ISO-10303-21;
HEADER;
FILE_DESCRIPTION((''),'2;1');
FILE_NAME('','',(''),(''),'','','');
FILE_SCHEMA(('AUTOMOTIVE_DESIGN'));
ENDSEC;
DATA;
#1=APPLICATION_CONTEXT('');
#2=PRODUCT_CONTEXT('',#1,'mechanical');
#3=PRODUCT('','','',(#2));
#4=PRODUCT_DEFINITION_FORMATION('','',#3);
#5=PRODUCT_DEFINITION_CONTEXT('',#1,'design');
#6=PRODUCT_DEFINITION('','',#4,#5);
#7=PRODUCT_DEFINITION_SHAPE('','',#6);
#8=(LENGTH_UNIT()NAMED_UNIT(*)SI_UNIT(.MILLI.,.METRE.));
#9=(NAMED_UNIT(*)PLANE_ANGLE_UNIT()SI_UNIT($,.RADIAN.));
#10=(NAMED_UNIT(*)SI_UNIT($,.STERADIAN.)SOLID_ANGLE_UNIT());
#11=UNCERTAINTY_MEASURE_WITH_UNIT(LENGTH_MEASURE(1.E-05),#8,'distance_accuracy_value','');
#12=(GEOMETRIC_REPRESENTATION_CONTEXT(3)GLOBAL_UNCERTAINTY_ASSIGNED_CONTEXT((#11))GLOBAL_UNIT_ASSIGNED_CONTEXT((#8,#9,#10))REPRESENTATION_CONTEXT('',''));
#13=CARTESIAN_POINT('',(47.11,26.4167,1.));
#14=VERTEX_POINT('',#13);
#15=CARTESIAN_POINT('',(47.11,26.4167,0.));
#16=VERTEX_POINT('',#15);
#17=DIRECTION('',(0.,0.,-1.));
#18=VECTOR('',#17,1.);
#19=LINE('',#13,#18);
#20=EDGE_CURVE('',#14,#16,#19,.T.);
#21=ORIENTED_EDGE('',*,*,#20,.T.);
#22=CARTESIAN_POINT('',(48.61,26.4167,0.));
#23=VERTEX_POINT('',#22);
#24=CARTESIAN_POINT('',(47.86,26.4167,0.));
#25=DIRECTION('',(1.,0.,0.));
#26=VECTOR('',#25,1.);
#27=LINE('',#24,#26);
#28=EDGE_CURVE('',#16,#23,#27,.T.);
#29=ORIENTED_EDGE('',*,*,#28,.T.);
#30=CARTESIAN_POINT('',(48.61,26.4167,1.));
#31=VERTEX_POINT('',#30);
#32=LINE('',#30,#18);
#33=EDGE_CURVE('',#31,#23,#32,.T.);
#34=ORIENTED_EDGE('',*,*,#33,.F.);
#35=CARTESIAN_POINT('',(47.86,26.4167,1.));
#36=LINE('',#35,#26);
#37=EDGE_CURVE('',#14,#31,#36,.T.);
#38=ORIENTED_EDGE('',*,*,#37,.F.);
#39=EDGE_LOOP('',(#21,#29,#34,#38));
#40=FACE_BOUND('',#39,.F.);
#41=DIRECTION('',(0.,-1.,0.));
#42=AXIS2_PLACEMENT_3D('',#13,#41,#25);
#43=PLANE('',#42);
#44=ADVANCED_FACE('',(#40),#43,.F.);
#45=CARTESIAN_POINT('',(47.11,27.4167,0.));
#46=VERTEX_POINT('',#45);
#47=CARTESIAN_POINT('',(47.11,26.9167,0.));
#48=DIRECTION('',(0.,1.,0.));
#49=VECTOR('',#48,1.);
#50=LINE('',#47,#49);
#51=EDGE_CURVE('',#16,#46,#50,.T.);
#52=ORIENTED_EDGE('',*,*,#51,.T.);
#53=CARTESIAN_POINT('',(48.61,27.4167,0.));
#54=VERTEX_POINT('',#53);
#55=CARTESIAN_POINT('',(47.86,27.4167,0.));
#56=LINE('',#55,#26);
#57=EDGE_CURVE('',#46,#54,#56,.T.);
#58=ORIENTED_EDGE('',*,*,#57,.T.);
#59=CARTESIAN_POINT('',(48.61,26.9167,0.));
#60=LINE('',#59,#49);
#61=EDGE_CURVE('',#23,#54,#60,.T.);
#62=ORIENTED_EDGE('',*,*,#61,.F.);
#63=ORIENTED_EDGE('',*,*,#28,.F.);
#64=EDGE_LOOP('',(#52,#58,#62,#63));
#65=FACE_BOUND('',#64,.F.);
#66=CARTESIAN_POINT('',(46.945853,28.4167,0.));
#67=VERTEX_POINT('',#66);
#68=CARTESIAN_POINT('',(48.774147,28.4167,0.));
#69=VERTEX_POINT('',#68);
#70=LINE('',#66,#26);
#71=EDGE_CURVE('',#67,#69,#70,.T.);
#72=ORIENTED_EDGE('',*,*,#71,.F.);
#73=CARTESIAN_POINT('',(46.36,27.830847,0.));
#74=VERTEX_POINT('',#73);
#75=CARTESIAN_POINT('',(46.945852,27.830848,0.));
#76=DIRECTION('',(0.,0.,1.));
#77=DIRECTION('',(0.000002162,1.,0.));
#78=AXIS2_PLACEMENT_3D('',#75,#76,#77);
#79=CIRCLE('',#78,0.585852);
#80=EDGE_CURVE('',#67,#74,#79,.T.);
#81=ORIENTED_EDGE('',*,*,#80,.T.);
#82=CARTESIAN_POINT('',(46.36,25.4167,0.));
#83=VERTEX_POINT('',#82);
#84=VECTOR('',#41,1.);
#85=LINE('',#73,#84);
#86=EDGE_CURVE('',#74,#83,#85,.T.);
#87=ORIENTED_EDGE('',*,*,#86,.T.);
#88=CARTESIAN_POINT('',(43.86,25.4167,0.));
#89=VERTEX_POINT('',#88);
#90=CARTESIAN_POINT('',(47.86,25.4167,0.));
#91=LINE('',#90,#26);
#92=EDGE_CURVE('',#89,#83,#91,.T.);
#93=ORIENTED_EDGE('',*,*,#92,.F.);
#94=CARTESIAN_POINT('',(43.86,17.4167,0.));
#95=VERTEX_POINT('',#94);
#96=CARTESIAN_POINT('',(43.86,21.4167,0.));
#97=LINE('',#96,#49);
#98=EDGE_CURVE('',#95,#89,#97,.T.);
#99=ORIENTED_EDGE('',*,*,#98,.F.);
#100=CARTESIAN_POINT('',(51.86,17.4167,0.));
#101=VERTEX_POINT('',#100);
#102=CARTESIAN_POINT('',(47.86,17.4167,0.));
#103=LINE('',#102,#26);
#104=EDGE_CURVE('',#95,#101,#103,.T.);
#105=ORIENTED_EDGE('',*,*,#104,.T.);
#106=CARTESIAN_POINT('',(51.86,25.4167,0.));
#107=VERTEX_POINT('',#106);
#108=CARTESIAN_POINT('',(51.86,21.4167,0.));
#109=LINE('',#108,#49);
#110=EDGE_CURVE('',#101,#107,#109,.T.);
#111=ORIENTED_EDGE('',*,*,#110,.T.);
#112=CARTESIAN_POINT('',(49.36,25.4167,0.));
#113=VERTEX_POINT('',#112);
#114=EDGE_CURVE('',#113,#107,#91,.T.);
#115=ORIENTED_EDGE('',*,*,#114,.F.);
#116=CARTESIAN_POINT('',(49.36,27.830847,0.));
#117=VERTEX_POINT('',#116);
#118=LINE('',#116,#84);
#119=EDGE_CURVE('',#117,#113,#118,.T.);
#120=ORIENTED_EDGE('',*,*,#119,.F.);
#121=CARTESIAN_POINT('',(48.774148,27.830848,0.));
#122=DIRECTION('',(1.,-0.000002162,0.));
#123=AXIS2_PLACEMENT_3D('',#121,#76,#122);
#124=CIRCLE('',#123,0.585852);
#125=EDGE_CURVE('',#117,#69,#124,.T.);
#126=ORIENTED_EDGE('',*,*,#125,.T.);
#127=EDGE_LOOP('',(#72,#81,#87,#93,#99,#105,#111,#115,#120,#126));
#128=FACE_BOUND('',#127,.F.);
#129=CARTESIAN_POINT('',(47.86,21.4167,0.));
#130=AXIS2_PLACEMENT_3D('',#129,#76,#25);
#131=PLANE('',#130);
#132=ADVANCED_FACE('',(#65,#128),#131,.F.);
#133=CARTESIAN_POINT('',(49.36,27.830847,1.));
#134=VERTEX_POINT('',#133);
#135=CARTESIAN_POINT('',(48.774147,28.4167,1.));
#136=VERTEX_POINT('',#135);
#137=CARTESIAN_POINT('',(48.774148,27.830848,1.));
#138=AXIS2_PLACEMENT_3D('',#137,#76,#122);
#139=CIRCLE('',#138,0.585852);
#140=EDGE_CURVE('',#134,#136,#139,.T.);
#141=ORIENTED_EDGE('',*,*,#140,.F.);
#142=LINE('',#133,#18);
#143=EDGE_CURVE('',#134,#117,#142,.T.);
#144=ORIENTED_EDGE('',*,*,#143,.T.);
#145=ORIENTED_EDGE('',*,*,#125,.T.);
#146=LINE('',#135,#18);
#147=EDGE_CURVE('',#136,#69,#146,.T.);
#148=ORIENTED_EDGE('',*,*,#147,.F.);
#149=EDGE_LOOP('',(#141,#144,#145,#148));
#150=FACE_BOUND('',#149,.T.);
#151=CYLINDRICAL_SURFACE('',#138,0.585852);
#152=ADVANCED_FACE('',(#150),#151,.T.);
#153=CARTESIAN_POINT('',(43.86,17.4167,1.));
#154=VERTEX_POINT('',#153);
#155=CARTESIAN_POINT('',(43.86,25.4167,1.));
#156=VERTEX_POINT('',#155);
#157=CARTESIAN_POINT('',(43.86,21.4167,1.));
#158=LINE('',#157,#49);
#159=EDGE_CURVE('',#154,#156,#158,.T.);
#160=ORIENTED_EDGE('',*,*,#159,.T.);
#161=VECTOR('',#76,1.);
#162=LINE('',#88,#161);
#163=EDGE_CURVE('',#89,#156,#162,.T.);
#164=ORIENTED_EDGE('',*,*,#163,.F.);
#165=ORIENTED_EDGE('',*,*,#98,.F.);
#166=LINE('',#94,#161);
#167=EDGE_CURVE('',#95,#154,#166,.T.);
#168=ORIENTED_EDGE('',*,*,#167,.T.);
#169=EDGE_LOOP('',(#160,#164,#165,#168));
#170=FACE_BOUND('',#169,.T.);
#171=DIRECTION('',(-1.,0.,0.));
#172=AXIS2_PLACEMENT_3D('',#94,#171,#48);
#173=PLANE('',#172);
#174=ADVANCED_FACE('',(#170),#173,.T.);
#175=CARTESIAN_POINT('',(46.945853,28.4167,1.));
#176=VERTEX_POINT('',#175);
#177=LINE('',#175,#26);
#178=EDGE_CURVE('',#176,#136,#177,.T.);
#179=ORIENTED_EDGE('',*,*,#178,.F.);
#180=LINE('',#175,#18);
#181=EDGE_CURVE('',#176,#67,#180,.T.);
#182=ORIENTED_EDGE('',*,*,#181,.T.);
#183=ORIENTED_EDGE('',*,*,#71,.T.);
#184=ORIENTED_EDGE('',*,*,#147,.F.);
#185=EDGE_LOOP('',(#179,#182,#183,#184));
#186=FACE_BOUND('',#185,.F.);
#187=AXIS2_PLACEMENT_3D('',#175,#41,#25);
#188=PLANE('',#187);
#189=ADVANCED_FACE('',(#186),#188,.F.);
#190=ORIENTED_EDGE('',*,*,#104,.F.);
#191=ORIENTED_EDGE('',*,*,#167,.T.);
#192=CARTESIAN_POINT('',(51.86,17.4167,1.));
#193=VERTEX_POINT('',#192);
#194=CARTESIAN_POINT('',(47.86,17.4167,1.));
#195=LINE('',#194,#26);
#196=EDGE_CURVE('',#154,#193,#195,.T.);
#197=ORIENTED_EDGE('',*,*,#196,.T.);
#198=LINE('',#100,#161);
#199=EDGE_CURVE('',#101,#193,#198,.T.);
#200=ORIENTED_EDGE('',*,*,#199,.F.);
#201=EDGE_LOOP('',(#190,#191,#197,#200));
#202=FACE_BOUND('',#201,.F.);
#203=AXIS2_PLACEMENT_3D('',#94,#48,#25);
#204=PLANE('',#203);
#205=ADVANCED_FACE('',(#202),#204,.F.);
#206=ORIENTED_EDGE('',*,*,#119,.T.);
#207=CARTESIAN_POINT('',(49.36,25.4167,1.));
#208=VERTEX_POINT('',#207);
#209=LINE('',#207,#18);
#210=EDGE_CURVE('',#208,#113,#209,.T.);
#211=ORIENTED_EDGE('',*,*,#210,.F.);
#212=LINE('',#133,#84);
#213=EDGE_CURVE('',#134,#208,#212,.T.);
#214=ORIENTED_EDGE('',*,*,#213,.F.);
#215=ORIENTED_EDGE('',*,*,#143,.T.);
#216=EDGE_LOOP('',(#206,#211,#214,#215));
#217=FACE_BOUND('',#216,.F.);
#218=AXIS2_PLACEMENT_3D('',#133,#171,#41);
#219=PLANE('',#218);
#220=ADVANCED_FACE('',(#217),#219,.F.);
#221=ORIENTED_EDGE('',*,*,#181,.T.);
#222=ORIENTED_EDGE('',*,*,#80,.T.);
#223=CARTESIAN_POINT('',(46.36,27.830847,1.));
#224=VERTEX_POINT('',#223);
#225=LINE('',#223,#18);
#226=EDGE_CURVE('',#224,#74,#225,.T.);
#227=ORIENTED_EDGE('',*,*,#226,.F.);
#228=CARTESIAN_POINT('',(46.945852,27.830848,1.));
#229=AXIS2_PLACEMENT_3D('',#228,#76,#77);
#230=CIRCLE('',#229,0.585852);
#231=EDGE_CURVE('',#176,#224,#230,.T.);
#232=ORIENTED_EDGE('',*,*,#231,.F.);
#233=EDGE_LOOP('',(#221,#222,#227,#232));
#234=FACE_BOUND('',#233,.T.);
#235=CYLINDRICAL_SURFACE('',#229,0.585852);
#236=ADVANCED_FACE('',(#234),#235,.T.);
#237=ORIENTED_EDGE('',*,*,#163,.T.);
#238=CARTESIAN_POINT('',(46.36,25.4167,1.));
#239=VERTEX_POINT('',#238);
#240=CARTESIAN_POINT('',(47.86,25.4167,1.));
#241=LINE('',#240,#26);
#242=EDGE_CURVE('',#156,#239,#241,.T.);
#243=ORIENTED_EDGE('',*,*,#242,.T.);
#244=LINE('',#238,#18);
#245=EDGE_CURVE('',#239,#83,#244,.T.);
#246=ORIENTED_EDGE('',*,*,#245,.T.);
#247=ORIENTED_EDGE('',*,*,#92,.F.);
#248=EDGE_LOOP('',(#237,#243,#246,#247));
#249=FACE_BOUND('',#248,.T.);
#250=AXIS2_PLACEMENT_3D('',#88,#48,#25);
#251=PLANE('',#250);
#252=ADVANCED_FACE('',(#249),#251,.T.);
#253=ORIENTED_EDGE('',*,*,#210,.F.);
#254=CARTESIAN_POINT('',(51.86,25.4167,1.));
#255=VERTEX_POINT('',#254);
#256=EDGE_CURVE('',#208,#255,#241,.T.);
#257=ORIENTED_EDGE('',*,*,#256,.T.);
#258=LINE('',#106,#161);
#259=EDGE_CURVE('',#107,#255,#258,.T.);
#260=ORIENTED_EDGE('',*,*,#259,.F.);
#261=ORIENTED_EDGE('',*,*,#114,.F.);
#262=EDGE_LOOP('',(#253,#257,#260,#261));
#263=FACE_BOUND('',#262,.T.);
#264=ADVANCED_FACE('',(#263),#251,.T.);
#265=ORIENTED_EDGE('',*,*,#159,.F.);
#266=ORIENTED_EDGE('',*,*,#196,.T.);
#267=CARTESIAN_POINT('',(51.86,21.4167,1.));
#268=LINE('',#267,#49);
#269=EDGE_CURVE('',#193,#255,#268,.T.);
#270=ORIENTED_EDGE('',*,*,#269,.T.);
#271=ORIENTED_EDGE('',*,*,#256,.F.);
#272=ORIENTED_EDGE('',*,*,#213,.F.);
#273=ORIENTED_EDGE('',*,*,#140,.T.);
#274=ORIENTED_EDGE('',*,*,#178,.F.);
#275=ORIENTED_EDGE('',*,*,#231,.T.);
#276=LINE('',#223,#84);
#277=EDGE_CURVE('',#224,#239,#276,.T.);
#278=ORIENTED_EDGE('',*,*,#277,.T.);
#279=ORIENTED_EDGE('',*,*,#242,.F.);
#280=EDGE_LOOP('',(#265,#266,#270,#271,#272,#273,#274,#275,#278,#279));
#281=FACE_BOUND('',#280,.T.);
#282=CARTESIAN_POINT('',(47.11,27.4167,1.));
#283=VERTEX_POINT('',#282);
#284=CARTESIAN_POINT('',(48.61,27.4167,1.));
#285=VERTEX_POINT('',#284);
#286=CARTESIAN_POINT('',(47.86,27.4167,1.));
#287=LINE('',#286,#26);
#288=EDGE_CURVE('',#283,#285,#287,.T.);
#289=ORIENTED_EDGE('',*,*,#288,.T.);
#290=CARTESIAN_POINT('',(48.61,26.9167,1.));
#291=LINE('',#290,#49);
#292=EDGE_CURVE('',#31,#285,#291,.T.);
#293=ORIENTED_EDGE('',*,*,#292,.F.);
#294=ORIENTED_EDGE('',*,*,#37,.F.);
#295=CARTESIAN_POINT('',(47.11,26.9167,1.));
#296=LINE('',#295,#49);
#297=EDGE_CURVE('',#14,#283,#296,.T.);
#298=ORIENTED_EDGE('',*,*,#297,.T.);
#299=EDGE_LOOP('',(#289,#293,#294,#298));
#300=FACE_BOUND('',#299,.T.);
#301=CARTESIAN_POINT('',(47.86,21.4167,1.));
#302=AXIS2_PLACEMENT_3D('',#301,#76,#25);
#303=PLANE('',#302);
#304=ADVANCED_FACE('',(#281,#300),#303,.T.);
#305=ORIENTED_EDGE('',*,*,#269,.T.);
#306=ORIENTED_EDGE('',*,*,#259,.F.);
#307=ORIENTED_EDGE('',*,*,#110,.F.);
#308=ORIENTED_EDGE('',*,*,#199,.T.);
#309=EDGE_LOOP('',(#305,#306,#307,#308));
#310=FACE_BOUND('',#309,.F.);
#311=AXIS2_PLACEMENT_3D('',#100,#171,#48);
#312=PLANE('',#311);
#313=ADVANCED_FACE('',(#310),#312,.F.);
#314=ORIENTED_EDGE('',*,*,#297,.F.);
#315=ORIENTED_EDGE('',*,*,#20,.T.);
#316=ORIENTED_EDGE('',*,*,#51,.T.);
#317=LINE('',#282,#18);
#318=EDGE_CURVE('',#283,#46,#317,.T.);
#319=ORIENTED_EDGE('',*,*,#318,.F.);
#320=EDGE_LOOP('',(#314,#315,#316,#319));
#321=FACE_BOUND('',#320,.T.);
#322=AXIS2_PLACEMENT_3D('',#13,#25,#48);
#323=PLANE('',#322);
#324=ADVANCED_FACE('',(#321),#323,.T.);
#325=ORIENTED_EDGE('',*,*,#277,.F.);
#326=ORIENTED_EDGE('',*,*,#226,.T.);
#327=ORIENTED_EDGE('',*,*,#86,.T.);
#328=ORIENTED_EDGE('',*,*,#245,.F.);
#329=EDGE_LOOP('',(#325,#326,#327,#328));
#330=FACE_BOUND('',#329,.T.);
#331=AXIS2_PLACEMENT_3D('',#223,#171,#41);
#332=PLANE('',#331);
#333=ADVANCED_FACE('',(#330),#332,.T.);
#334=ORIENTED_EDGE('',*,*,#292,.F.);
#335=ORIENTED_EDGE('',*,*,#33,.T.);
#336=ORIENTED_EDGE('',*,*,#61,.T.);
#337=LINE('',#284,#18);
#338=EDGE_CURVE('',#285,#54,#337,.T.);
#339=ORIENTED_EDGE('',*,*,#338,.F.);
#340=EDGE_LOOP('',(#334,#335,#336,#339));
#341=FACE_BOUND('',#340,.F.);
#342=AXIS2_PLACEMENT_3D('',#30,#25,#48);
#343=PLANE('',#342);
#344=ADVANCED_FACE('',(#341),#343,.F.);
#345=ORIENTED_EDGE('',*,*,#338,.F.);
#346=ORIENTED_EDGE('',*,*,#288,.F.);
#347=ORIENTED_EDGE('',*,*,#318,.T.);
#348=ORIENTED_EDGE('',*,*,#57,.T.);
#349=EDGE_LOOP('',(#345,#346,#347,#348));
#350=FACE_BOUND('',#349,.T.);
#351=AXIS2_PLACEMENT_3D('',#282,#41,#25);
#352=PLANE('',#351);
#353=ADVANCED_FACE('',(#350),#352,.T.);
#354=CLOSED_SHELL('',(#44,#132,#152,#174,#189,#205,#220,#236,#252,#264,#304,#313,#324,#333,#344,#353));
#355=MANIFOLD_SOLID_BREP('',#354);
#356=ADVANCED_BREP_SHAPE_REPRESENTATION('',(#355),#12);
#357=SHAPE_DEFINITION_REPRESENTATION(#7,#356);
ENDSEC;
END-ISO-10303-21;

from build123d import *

# Parameters (mm, degrees)
SKETCH007_W      = 1.5
SKETCH007_H      = 1
EXTRUDE008_DEPTH = 1
BOX004_W         = 8
BOX004_H         = 8
BOX004_DEPTH     = 1


with BuildPart() as wedgeextrude:
    # Sketch007 (on Face6 of Box004) → Extrude008 (new body)
    with BuildSketch(Plane(origin=(43.86, 17.4167, 1), x_dir=(1, 0, 0), z_dir=(0, 0, 1))):
        with BuildLine():
            Line((5.5, 8), (2.5, 8))
            Line((2.5, 10.414147), (2.5, 8))
            ThreePointArc((3.085853, 11), (2.671592, 10.828408), (2.5, 10.414147))
            Line((3.085853, 11), (4.914147, 11))
            ThreePointArc((5.5, 10.414147), (5.328408, 10.828408), (4.914147, 11))
            Line((5.5, 10.414147), (5.5, 8))
        make_face()
        with Locations((4, 9.5)):
            Rectangle(SKETCH007_W, SKETCH007_H, mode=Mode.SUBTRACT)
    extrude(amount=-EXTRUDE008_DEPTH)


with BuildPart() as wedgewedge:
    # Box004 → Box004 (new body)
    with BuildSketch(Plane(origin=(43.86, 17.4167, 0), x_dir=(1, 0, 0), z_dir=(0, 0, 1))):
        with Locations((4, 4)):
            Rectangle(BOX004_W, BOX004_H)
    extrude(amount=BOX004_DEPTH)

    # Fusion001: union wedgeExtrude
    add(wedgeextrude.part)


solid = wedgewedge.part
